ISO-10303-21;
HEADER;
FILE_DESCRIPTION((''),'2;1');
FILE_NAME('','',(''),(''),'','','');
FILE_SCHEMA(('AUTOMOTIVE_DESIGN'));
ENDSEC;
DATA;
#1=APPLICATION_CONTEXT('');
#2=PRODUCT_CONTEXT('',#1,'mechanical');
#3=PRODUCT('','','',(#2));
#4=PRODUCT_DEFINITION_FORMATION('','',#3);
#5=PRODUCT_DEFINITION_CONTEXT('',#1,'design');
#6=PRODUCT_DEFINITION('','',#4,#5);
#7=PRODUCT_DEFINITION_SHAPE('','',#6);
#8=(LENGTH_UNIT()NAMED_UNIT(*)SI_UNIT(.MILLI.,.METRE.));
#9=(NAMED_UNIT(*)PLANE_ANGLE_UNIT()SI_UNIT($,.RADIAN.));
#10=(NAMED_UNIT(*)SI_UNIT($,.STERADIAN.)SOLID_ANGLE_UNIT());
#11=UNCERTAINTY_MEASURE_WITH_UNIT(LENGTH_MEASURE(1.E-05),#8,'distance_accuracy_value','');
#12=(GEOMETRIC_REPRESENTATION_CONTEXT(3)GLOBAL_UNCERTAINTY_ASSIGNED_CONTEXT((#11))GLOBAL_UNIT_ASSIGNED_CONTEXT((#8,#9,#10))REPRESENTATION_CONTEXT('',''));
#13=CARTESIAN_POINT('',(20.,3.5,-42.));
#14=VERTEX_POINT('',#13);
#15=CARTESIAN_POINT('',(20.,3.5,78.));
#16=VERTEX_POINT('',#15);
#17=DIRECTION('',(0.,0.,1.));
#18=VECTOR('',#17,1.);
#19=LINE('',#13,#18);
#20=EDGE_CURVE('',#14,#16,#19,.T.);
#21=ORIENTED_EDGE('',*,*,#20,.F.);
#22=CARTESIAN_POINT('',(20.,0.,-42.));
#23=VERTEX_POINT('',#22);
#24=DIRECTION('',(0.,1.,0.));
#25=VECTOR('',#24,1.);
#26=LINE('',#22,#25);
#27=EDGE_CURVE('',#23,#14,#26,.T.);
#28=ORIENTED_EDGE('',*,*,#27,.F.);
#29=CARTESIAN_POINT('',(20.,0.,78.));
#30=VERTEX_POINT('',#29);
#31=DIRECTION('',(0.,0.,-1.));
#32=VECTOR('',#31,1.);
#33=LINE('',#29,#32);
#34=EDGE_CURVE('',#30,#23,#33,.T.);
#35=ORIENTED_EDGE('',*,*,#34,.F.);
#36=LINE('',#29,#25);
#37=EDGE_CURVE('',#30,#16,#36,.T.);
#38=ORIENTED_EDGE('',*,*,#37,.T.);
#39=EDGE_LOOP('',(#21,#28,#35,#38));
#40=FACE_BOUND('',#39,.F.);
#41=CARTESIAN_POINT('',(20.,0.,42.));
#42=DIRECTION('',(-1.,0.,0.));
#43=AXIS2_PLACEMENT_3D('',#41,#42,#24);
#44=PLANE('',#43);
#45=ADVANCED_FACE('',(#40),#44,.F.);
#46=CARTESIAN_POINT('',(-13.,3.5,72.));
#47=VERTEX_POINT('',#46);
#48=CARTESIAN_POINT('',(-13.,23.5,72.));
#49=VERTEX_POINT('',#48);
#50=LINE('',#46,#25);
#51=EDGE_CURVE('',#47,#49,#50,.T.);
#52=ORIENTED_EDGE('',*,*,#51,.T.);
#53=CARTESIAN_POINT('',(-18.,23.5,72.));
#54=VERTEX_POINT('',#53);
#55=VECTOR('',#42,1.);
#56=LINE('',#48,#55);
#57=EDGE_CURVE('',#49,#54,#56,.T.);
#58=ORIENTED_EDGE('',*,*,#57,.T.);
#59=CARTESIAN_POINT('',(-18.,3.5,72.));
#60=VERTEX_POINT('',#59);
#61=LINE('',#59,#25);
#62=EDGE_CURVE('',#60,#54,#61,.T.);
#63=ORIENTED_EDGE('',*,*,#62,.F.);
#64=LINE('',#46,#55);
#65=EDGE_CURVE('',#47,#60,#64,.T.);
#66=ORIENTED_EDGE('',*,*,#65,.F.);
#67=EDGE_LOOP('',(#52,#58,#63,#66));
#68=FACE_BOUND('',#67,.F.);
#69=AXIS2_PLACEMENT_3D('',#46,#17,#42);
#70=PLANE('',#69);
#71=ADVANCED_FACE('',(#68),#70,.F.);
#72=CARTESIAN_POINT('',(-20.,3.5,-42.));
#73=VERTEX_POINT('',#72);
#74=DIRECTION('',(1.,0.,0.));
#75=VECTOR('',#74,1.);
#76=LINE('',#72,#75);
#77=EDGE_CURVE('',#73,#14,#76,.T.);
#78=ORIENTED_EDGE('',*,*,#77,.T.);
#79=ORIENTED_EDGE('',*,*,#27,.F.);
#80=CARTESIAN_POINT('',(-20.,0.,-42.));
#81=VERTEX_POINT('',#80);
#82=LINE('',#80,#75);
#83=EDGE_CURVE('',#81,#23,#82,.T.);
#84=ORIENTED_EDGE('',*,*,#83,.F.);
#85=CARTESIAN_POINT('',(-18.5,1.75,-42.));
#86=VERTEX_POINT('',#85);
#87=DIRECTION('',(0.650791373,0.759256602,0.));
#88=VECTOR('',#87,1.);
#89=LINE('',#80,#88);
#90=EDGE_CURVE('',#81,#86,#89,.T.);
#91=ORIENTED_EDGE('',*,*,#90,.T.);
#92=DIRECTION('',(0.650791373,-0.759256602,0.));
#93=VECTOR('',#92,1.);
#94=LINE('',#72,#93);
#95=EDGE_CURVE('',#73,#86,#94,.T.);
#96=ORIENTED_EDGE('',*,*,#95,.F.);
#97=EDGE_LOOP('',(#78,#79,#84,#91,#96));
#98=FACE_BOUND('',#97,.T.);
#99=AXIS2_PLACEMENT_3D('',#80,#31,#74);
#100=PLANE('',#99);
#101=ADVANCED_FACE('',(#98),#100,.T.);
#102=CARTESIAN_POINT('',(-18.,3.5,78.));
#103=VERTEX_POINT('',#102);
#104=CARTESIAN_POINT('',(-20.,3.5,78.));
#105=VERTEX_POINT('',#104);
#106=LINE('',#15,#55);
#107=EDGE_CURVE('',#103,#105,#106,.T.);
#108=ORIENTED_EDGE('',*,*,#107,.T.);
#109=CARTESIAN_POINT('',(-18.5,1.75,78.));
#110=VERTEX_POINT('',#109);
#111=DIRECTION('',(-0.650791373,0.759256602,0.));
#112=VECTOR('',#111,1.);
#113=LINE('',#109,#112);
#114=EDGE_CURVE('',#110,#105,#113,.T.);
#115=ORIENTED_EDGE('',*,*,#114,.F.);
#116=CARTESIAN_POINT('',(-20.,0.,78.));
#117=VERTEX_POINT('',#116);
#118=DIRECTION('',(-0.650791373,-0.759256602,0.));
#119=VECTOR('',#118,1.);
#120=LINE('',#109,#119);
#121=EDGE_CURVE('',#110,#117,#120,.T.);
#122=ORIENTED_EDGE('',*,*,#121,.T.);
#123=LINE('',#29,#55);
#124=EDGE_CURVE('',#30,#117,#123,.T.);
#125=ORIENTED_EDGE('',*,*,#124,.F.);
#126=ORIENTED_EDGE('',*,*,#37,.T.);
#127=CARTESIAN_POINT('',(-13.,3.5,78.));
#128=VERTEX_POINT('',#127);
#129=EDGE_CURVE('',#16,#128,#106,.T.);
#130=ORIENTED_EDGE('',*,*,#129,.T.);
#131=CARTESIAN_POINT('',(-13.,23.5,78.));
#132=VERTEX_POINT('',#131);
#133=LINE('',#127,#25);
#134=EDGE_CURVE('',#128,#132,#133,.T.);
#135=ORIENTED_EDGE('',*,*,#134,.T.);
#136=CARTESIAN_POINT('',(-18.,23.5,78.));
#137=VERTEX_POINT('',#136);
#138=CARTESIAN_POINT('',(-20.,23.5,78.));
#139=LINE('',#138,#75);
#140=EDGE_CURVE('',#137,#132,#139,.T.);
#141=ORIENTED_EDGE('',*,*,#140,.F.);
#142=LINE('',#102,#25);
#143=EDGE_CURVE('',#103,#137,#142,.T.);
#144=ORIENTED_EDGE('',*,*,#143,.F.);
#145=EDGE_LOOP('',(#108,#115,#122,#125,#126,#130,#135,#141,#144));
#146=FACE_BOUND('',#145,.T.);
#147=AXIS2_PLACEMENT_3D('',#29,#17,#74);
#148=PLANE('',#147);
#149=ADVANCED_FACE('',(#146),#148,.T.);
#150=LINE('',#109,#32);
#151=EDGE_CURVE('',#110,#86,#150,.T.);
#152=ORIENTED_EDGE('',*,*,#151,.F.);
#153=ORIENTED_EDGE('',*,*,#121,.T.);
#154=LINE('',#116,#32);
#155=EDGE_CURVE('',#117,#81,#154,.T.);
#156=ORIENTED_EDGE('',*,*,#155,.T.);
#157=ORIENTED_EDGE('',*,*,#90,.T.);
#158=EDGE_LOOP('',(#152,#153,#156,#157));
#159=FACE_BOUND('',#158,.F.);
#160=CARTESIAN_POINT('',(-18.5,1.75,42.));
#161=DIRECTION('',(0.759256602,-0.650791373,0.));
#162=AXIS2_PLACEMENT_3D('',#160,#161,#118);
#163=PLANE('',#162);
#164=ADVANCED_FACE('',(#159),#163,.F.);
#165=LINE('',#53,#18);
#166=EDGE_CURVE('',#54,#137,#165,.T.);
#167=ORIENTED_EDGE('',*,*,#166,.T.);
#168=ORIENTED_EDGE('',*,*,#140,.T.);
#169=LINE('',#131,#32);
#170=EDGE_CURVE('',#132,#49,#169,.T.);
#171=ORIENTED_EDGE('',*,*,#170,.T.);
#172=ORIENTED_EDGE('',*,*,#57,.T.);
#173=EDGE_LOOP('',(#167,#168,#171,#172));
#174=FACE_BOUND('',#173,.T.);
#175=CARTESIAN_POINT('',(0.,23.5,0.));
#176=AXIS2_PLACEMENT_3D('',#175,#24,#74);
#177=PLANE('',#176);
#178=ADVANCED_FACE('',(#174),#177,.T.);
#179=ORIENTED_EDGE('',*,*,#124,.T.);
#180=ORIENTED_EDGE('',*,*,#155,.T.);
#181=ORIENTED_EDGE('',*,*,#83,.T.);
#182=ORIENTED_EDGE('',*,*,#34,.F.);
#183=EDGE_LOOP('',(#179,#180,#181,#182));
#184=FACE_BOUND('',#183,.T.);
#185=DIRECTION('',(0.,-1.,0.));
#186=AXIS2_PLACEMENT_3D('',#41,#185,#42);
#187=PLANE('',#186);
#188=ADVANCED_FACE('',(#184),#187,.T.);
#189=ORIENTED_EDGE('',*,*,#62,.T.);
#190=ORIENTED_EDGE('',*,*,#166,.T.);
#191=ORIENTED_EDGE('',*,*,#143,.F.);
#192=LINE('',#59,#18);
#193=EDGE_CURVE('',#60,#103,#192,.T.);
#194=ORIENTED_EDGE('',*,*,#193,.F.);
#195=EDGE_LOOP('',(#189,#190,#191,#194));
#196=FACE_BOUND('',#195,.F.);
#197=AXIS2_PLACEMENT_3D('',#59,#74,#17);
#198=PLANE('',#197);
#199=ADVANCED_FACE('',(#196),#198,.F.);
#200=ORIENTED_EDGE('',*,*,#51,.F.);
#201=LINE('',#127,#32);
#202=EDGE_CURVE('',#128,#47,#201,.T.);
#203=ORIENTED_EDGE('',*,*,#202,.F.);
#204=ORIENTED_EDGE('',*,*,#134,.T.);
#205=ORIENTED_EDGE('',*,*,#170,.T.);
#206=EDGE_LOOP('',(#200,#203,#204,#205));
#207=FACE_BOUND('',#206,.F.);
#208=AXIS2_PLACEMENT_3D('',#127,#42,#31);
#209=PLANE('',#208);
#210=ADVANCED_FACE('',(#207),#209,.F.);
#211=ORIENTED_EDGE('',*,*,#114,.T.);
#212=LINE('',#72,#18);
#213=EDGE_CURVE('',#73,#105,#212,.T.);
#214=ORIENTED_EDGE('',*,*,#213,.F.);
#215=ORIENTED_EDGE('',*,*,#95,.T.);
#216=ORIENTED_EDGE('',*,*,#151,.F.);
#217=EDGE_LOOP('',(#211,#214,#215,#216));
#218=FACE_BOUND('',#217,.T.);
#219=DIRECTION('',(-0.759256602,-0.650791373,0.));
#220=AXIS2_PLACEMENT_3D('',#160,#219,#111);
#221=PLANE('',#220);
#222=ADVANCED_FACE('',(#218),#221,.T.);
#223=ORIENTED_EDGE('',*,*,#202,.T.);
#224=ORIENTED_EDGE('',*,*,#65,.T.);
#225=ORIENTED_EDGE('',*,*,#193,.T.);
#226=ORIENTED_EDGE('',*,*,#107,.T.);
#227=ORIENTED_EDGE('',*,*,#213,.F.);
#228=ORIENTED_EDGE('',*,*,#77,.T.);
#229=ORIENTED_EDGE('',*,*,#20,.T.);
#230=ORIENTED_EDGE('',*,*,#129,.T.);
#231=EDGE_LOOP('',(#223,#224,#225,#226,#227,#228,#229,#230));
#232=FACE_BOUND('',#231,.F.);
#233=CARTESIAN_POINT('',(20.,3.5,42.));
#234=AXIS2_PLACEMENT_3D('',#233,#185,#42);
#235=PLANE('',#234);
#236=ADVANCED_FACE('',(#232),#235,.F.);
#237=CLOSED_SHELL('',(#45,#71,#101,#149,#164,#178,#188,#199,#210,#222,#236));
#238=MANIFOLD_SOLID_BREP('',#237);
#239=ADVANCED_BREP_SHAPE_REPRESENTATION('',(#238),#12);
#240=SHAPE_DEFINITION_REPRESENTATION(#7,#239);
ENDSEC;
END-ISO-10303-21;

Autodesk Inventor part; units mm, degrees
ref_plane "YZ Plane" through (0, 0, 0) normal (1, 0, 0) x (0, 1, 0)
ref_plane "XZ Plane" through (0, 0, 0) normal (0, 1, 0) x (-1, 0, 0)
ref_plane "XY Plane" through (0, 0, 0) normal (0, 0, 1) x (1, 0, 0)
sketch "Sketch1" plane through (0, 0, 0) normal (0, 1, 0) x (-1, 0, 0)
  line L0 (-20, 42) -> (20, 42)
  line L1 (20, 42) -> (20, -42)
  line L2 (20, -42) -> (-20, -42)
  line L3 (-20, -42) -> (-20, 42)
  point P0 (0, 0)
  dimension "d0" = 40
  dimension "d1" = 84
  dimension "d2" = 20
  dimension "d3" = 42
extrude "Extrusion1" add sketch "Sketch1" along normal blind 3.5
sketch "Sketch3" plane through (20, 0, -42) normal (0, 0, -1) x (-1, 0, 0)
  line L0 (40, 0) -> (40, 3.5) projected
  line L1 (0, 3.5) -> (40, 3.5) projected
  line L2 (40, 0) -> (38.5, 0)
  line L3 (38.5, 0) -> (38.5, 3.5)
  line L4 (38.5, 3.5) -> (40, 3.5)
  line L5 (40, 3.5) -> (40, 0)
  line L6 (0, 0) -> (40, 0) projected
  line L7 (40, 0) -> (38.5, 1.75)
  line L8 (40, 3.5) -> (38.5, 1.75)
  point P0 (20, 0)
  dimension "d10" = 1.5
extrude "Extrusion2" cut sketch "Sketch3" against normal blind 127.5 contours L7 L8 L0
sketch "Sketch4" plane through (0, 3.5, 0) normal (0, 1, 0) x (1, 0, 0)
  point P0 (0, 0)
sketch "Sketch5" plane through (20, 0, 42) normal (0, 0, 1) x (1, 0, 0)
  line L0 (0, 3.5) -> (-40, 3.5) projected
  line L1 (0, 0) -> (-40, 0) projected
  line L2 (0, 3.5) -> (-40, 3.5)
  line L3 (-40, 3.5) -> (-40, 0)
  line L4 (-40, 0) -> (0, 0)
  line L5 (0, 0) -> (0, 3.5)
  line L6 (-38.5, 1.75) -> (-40, 0) projected
  line L7 (-40, 0) -> (-38.5, 1.75)
  line L8 (-38.5, 1.75) -> (-40, 3.5) projected
  line L9 (-38.5, 1.75) -> (-40, 3.5)
  point P0 (-20, 0)
extrude "Extrusion3" add sketch "Sketch5" along normal blind 36 contours L5 L1 L6 L8 L0
sketch "Sketch6" plane through (0, 3.5, 0) normal (0, 1, 0) x (1, 0, 0)
  point P0 (0, 0)
sketch "Sketch7" plane through (0, 3.5, 0) normal (0, 1, 0) x (1, 0, 0)
  line L0 (-20, 42) -> (-20, -78) projected
  line L1 (-20, -78) -> (-13, -78)
  line L2 (-13, -78) -> (-13, -72)
  line L3 (-13, -72) -> (-20, -72)
  line L4 (-20, -72) -> (-20, -78)
  line L5 (-20, -78) -> (20, -78) projected
  line L6 (-20, -72) -> (-18, -72)
  line L7 (-18, -72) -> (-18, -78)
  line L8 (-18, -78) -> (-20, -78)
  line L9 (-20, -78) -> (-20, -72)
  point P0 (0, 0)
  dimension "d15" = 7
  dimension "d16" = 6
extrude "Extrusion4" add sketch "Sketch7" along normal blind 20 contours L3 L2 L1 L7
equation "\"d2\" = 0.5 * d0"
equation "\"d3\" = 0.5 * d1"
equation "\"BendRadius\" = Thickness"
equation "\"BendReliefWidth\" = Thickness"
equation "\"BendReliefDepth\" = 0.5 * Thickness"
equation "\"CornerReliefSize\" = 4 * Thickness"
equation "\"MinimumRemnant\" = 2 * Thickness"
equation "\"TransitionRadius\" = BendRadius"
equation "\"JacobiRadiusSize\" = BendRadius"
equation "\"GapSize\" = Thickness"
equation "\"Thickness\" = 0.5"
properties part number "modelGateGate"
